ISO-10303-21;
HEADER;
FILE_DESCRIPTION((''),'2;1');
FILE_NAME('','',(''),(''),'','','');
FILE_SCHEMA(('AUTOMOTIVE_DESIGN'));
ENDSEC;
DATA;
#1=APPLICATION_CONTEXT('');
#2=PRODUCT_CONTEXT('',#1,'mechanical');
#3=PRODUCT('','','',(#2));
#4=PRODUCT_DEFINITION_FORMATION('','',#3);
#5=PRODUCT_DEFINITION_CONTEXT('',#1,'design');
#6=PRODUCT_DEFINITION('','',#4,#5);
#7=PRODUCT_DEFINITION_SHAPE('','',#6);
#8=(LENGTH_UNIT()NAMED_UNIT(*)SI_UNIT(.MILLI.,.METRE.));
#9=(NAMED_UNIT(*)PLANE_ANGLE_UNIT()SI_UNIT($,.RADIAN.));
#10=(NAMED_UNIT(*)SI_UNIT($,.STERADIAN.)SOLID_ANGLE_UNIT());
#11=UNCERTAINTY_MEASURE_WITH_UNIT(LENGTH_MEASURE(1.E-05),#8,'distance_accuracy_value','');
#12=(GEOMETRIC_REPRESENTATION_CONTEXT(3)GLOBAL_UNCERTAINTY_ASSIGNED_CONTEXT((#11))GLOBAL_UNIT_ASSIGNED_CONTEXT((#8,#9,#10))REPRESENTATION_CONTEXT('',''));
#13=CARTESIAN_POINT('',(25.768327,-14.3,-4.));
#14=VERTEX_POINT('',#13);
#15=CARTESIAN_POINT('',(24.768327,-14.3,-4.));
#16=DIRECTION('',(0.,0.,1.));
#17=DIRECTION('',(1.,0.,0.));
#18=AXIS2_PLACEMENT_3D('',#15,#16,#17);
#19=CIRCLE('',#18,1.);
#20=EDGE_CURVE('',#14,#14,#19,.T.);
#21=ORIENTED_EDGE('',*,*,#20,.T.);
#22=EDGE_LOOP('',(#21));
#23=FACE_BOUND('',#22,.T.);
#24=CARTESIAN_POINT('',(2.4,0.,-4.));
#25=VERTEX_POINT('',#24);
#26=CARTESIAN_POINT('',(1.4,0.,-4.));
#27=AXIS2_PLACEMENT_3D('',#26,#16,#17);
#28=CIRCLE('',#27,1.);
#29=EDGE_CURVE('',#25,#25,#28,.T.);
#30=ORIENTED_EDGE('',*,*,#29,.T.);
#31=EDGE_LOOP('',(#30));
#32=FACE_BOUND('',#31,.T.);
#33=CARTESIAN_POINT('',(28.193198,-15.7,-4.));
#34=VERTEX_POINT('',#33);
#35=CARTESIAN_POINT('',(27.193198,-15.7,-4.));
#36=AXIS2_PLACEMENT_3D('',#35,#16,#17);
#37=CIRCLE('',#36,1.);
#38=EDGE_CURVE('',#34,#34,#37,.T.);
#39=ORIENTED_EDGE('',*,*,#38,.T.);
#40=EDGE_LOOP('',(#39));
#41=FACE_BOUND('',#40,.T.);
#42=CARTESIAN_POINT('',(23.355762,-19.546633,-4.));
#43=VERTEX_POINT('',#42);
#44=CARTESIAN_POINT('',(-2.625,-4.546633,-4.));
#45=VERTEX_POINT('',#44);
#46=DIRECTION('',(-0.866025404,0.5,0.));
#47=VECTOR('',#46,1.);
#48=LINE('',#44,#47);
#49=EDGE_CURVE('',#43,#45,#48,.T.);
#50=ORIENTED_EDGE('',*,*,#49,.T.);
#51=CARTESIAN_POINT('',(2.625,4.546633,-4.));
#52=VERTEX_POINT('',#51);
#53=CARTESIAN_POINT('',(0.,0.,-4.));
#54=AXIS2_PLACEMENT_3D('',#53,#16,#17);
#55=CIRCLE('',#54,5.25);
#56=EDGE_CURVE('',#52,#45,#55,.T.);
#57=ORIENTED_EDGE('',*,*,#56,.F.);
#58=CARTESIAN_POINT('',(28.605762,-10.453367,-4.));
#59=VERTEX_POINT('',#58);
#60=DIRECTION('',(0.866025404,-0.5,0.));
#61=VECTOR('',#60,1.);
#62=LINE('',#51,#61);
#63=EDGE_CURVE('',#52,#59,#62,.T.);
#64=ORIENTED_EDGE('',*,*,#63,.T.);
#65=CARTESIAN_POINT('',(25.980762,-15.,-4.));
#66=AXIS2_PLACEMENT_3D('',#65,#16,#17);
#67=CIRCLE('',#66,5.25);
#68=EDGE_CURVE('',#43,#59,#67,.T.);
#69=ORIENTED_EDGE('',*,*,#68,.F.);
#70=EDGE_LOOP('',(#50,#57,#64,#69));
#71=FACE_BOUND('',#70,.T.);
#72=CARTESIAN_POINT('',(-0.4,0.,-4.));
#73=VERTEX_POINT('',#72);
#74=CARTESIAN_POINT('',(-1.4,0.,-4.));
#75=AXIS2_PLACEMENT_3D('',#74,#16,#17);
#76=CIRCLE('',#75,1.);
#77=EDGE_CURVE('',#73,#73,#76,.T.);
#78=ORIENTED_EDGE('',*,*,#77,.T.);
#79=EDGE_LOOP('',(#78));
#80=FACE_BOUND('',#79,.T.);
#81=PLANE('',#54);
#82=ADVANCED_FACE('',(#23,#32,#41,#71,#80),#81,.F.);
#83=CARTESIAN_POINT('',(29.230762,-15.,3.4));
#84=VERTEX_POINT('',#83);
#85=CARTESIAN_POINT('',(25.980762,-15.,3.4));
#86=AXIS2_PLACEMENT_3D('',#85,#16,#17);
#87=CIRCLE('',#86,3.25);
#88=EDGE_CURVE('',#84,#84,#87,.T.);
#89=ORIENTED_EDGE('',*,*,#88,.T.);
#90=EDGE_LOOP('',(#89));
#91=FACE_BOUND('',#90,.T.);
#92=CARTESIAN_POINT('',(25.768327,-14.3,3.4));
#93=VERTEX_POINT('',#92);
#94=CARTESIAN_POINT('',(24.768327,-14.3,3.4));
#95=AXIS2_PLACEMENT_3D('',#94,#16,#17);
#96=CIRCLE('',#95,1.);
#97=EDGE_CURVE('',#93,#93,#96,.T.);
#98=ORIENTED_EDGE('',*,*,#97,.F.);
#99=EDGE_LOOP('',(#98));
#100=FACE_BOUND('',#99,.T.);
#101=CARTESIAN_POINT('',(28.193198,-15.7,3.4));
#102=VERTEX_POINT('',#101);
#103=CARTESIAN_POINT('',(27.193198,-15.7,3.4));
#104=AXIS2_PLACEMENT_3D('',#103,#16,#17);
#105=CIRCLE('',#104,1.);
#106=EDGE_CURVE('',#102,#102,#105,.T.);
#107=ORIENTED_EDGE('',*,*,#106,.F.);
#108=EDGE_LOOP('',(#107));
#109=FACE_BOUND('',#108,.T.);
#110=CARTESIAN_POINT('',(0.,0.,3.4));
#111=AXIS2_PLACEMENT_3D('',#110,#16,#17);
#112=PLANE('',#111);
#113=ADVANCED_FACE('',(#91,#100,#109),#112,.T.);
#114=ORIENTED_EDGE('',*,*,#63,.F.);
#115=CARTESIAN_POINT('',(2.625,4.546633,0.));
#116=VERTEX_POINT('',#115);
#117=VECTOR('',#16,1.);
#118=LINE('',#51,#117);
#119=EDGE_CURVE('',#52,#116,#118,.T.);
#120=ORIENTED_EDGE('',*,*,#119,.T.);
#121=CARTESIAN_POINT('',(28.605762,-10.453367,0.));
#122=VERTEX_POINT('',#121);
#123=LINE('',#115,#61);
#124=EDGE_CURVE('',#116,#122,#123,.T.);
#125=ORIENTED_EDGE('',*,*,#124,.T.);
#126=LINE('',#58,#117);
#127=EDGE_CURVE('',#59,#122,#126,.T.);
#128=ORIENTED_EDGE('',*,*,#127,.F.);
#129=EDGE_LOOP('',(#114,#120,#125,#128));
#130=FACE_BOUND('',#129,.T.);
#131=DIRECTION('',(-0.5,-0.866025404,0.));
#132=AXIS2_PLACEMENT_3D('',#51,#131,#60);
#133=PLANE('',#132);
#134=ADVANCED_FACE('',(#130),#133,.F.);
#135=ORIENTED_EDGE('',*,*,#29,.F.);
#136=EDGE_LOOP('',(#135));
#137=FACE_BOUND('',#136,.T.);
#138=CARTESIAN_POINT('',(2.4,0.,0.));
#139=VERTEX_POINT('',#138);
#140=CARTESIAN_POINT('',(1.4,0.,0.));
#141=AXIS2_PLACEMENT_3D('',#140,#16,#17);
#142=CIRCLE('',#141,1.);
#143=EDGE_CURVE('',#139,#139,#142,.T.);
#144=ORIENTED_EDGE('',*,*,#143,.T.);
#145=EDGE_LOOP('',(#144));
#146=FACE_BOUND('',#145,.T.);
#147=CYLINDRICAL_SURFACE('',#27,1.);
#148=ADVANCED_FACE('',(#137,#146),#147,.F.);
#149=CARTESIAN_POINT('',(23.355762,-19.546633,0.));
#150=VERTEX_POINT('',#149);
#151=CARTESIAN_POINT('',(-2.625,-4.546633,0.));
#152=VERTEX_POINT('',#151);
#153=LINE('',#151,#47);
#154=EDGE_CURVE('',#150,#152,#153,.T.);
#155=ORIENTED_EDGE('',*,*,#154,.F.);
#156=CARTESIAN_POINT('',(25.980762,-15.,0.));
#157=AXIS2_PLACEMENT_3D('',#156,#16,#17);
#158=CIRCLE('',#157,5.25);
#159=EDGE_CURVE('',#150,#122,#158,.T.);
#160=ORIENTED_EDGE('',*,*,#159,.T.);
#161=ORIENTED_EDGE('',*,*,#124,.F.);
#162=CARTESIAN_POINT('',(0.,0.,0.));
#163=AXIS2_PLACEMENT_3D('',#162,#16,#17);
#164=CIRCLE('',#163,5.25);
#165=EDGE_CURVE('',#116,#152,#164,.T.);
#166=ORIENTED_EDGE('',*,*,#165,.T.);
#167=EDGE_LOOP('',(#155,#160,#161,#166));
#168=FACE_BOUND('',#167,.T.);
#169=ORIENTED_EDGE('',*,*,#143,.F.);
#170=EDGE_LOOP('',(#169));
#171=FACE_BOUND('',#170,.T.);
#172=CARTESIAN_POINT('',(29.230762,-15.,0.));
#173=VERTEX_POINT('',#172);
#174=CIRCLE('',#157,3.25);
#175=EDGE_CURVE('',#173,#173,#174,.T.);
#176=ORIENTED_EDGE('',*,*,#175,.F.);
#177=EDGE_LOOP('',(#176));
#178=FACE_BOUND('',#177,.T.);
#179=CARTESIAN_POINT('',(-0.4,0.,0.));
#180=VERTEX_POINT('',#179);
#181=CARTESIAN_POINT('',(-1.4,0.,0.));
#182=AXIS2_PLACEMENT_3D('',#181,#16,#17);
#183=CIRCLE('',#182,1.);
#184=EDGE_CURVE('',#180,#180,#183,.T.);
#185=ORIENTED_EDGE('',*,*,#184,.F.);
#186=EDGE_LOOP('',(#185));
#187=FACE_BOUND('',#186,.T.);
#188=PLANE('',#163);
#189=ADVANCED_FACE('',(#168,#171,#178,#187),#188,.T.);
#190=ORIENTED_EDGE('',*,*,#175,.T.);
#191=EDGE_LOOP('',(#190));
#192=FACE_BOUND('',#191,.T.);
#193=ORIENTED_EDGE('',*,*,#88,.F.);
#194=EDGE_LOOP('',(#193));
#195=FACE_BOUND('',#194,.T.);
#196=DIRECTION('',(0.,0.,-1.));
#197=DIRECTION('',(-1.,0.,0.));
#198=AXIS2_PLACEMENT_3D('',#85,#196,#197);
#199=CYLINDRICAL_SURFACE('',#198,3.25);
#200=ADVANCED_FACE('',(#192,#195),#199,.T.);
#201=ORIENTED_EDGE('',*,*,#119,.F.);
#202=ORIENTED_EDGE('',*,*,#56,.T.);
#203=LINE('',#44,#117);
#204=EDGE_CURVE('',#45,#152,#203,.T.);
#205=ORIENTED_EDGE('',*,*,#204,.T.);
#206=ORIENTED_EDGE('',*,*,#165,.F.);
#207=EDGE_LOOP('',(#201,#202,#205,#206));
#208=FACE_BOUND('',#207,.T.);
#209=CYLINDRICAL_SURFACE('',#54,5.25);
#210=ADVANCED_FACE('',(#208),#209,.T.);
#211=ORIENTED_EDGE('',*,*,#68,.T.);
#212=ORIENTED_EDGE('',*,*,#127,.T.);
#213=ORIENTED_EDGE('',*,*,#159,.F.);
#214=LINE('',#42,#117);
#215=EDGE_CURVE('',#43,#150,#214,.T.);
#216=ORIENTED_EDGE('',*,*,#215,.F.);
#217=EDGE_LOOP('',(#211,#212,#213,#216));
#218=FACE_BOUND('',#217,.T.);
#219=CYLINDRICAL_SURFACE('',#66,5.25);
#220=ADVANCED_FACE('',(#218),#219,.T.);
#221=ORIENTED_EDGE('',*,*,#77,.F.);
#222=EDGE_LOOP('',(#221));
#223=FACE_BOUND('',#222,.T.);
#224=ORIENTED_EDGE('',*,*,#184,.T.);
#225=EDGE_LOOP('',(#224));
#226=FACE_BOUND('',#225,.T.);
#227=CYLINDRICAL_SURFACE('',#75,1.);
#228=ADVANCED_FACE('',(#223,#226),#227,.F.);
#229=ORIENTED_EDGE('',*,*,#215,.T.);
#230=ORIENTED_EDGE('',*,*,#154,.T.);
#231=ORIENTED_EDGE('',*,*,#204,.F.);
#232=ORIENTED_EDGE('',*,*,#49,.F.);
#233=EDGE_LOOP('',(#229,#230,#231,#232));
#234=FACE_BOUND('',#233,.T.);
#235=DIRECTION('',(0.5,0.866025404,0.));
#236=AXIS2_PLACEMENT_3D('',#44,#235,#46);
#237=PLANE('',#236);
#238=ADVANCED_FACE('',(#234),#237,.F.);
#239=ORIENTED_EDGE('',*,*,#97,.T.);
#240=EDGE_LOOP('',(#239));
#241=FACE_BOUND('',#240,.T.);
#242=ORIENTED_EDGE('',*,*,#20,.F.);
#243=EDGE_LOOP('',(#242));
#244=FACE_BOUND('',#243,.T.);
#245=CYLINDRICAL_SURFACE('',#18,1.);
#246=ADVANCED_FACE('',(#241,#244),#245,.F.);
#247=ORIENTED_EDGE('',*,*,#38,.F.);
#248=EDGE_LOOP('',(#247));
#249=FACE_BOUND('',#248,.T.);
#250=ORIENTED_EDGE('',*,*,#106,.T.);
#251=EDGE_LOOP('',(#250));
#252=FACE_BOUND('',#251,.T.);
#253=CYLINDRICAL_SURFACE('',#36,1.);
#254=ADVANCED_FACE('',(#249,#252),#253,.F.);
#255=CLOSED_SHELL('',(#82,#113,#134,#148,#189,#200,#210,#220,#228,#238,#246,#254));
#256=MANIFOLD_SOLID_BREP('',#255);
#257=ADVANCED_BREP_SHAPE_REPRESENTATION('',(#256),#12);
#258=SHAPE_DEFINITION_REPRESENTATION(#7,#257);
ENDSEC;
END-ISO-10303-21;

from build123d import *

# Parameters (mm, degrees)
LINK_SKETCH_R       = 1
LINK_EXTRUDE_DEPTH  = 4
JOINT_START         = 3.4
SKETCH1_3_R         = 3.25
SKETCH1_3_R_2       = 1
JOINT_EXTRUDE_DEPTH = 3.4


with BuildPart() as part:
    # Link Sketch → Link Extrude (new body)
    with BuildSketch(Plane.XY):
        with BuildLine():
            Line((-2.625, -4.54663337), (23.355762114, -19.54663337))
            ThreePointArc((23.355762114, -19.54663337), (30.527395483, -17.625), (28.605762114, -10.45336663))
            Line((28.605762114, -10.45336663), (2.625, 4.54663337))
            ThreePointArc((2.625, 4.54663337), (-4.54663337, 2.625), (-2.625, -4.54663337))
        make_face()
        with Locations((-1.4, 0)):
            Circle(LINK_SKETCH_R, mode=Mode.SUBTRACT)
        with Locations((1.4, 0)):
            Circle(LINK_SKETCH_R, mode=Mode.SUBTRACT)
        with Locations((27.193197679, -15.7)):
            Circle(LINK_SKETCH_R, mode=Mode.SUBTRACT)
        with Locations((24.768326548, -14.3)):
            Circle(LINK_SKETCH_R, mode=Mode.SUBTRACT)
    extrude(amount=-LINK_EXTRUDE_DEPTH)

    # Sketch1<3> → Joint Extrude (add)
    with BuildSketch(Plane.XY.offset(JOINT_START)):
        with Locations((25.980762114, -15)):
            Circle(SKETCH1_3_R)
        with Locations((24.768326548, -14.3)):
            Circle(SKETCH1_3_R_2, mode=Mode.SUBTRACT)
        with Locations((27.193197679, -15.7)):
            Circle(SKETCH1_3_R_2, mode=Mode.SUBTRACT)
    extrude(amount=-JOINT_EXTRUDE_DEPTH)


solid = part.part
